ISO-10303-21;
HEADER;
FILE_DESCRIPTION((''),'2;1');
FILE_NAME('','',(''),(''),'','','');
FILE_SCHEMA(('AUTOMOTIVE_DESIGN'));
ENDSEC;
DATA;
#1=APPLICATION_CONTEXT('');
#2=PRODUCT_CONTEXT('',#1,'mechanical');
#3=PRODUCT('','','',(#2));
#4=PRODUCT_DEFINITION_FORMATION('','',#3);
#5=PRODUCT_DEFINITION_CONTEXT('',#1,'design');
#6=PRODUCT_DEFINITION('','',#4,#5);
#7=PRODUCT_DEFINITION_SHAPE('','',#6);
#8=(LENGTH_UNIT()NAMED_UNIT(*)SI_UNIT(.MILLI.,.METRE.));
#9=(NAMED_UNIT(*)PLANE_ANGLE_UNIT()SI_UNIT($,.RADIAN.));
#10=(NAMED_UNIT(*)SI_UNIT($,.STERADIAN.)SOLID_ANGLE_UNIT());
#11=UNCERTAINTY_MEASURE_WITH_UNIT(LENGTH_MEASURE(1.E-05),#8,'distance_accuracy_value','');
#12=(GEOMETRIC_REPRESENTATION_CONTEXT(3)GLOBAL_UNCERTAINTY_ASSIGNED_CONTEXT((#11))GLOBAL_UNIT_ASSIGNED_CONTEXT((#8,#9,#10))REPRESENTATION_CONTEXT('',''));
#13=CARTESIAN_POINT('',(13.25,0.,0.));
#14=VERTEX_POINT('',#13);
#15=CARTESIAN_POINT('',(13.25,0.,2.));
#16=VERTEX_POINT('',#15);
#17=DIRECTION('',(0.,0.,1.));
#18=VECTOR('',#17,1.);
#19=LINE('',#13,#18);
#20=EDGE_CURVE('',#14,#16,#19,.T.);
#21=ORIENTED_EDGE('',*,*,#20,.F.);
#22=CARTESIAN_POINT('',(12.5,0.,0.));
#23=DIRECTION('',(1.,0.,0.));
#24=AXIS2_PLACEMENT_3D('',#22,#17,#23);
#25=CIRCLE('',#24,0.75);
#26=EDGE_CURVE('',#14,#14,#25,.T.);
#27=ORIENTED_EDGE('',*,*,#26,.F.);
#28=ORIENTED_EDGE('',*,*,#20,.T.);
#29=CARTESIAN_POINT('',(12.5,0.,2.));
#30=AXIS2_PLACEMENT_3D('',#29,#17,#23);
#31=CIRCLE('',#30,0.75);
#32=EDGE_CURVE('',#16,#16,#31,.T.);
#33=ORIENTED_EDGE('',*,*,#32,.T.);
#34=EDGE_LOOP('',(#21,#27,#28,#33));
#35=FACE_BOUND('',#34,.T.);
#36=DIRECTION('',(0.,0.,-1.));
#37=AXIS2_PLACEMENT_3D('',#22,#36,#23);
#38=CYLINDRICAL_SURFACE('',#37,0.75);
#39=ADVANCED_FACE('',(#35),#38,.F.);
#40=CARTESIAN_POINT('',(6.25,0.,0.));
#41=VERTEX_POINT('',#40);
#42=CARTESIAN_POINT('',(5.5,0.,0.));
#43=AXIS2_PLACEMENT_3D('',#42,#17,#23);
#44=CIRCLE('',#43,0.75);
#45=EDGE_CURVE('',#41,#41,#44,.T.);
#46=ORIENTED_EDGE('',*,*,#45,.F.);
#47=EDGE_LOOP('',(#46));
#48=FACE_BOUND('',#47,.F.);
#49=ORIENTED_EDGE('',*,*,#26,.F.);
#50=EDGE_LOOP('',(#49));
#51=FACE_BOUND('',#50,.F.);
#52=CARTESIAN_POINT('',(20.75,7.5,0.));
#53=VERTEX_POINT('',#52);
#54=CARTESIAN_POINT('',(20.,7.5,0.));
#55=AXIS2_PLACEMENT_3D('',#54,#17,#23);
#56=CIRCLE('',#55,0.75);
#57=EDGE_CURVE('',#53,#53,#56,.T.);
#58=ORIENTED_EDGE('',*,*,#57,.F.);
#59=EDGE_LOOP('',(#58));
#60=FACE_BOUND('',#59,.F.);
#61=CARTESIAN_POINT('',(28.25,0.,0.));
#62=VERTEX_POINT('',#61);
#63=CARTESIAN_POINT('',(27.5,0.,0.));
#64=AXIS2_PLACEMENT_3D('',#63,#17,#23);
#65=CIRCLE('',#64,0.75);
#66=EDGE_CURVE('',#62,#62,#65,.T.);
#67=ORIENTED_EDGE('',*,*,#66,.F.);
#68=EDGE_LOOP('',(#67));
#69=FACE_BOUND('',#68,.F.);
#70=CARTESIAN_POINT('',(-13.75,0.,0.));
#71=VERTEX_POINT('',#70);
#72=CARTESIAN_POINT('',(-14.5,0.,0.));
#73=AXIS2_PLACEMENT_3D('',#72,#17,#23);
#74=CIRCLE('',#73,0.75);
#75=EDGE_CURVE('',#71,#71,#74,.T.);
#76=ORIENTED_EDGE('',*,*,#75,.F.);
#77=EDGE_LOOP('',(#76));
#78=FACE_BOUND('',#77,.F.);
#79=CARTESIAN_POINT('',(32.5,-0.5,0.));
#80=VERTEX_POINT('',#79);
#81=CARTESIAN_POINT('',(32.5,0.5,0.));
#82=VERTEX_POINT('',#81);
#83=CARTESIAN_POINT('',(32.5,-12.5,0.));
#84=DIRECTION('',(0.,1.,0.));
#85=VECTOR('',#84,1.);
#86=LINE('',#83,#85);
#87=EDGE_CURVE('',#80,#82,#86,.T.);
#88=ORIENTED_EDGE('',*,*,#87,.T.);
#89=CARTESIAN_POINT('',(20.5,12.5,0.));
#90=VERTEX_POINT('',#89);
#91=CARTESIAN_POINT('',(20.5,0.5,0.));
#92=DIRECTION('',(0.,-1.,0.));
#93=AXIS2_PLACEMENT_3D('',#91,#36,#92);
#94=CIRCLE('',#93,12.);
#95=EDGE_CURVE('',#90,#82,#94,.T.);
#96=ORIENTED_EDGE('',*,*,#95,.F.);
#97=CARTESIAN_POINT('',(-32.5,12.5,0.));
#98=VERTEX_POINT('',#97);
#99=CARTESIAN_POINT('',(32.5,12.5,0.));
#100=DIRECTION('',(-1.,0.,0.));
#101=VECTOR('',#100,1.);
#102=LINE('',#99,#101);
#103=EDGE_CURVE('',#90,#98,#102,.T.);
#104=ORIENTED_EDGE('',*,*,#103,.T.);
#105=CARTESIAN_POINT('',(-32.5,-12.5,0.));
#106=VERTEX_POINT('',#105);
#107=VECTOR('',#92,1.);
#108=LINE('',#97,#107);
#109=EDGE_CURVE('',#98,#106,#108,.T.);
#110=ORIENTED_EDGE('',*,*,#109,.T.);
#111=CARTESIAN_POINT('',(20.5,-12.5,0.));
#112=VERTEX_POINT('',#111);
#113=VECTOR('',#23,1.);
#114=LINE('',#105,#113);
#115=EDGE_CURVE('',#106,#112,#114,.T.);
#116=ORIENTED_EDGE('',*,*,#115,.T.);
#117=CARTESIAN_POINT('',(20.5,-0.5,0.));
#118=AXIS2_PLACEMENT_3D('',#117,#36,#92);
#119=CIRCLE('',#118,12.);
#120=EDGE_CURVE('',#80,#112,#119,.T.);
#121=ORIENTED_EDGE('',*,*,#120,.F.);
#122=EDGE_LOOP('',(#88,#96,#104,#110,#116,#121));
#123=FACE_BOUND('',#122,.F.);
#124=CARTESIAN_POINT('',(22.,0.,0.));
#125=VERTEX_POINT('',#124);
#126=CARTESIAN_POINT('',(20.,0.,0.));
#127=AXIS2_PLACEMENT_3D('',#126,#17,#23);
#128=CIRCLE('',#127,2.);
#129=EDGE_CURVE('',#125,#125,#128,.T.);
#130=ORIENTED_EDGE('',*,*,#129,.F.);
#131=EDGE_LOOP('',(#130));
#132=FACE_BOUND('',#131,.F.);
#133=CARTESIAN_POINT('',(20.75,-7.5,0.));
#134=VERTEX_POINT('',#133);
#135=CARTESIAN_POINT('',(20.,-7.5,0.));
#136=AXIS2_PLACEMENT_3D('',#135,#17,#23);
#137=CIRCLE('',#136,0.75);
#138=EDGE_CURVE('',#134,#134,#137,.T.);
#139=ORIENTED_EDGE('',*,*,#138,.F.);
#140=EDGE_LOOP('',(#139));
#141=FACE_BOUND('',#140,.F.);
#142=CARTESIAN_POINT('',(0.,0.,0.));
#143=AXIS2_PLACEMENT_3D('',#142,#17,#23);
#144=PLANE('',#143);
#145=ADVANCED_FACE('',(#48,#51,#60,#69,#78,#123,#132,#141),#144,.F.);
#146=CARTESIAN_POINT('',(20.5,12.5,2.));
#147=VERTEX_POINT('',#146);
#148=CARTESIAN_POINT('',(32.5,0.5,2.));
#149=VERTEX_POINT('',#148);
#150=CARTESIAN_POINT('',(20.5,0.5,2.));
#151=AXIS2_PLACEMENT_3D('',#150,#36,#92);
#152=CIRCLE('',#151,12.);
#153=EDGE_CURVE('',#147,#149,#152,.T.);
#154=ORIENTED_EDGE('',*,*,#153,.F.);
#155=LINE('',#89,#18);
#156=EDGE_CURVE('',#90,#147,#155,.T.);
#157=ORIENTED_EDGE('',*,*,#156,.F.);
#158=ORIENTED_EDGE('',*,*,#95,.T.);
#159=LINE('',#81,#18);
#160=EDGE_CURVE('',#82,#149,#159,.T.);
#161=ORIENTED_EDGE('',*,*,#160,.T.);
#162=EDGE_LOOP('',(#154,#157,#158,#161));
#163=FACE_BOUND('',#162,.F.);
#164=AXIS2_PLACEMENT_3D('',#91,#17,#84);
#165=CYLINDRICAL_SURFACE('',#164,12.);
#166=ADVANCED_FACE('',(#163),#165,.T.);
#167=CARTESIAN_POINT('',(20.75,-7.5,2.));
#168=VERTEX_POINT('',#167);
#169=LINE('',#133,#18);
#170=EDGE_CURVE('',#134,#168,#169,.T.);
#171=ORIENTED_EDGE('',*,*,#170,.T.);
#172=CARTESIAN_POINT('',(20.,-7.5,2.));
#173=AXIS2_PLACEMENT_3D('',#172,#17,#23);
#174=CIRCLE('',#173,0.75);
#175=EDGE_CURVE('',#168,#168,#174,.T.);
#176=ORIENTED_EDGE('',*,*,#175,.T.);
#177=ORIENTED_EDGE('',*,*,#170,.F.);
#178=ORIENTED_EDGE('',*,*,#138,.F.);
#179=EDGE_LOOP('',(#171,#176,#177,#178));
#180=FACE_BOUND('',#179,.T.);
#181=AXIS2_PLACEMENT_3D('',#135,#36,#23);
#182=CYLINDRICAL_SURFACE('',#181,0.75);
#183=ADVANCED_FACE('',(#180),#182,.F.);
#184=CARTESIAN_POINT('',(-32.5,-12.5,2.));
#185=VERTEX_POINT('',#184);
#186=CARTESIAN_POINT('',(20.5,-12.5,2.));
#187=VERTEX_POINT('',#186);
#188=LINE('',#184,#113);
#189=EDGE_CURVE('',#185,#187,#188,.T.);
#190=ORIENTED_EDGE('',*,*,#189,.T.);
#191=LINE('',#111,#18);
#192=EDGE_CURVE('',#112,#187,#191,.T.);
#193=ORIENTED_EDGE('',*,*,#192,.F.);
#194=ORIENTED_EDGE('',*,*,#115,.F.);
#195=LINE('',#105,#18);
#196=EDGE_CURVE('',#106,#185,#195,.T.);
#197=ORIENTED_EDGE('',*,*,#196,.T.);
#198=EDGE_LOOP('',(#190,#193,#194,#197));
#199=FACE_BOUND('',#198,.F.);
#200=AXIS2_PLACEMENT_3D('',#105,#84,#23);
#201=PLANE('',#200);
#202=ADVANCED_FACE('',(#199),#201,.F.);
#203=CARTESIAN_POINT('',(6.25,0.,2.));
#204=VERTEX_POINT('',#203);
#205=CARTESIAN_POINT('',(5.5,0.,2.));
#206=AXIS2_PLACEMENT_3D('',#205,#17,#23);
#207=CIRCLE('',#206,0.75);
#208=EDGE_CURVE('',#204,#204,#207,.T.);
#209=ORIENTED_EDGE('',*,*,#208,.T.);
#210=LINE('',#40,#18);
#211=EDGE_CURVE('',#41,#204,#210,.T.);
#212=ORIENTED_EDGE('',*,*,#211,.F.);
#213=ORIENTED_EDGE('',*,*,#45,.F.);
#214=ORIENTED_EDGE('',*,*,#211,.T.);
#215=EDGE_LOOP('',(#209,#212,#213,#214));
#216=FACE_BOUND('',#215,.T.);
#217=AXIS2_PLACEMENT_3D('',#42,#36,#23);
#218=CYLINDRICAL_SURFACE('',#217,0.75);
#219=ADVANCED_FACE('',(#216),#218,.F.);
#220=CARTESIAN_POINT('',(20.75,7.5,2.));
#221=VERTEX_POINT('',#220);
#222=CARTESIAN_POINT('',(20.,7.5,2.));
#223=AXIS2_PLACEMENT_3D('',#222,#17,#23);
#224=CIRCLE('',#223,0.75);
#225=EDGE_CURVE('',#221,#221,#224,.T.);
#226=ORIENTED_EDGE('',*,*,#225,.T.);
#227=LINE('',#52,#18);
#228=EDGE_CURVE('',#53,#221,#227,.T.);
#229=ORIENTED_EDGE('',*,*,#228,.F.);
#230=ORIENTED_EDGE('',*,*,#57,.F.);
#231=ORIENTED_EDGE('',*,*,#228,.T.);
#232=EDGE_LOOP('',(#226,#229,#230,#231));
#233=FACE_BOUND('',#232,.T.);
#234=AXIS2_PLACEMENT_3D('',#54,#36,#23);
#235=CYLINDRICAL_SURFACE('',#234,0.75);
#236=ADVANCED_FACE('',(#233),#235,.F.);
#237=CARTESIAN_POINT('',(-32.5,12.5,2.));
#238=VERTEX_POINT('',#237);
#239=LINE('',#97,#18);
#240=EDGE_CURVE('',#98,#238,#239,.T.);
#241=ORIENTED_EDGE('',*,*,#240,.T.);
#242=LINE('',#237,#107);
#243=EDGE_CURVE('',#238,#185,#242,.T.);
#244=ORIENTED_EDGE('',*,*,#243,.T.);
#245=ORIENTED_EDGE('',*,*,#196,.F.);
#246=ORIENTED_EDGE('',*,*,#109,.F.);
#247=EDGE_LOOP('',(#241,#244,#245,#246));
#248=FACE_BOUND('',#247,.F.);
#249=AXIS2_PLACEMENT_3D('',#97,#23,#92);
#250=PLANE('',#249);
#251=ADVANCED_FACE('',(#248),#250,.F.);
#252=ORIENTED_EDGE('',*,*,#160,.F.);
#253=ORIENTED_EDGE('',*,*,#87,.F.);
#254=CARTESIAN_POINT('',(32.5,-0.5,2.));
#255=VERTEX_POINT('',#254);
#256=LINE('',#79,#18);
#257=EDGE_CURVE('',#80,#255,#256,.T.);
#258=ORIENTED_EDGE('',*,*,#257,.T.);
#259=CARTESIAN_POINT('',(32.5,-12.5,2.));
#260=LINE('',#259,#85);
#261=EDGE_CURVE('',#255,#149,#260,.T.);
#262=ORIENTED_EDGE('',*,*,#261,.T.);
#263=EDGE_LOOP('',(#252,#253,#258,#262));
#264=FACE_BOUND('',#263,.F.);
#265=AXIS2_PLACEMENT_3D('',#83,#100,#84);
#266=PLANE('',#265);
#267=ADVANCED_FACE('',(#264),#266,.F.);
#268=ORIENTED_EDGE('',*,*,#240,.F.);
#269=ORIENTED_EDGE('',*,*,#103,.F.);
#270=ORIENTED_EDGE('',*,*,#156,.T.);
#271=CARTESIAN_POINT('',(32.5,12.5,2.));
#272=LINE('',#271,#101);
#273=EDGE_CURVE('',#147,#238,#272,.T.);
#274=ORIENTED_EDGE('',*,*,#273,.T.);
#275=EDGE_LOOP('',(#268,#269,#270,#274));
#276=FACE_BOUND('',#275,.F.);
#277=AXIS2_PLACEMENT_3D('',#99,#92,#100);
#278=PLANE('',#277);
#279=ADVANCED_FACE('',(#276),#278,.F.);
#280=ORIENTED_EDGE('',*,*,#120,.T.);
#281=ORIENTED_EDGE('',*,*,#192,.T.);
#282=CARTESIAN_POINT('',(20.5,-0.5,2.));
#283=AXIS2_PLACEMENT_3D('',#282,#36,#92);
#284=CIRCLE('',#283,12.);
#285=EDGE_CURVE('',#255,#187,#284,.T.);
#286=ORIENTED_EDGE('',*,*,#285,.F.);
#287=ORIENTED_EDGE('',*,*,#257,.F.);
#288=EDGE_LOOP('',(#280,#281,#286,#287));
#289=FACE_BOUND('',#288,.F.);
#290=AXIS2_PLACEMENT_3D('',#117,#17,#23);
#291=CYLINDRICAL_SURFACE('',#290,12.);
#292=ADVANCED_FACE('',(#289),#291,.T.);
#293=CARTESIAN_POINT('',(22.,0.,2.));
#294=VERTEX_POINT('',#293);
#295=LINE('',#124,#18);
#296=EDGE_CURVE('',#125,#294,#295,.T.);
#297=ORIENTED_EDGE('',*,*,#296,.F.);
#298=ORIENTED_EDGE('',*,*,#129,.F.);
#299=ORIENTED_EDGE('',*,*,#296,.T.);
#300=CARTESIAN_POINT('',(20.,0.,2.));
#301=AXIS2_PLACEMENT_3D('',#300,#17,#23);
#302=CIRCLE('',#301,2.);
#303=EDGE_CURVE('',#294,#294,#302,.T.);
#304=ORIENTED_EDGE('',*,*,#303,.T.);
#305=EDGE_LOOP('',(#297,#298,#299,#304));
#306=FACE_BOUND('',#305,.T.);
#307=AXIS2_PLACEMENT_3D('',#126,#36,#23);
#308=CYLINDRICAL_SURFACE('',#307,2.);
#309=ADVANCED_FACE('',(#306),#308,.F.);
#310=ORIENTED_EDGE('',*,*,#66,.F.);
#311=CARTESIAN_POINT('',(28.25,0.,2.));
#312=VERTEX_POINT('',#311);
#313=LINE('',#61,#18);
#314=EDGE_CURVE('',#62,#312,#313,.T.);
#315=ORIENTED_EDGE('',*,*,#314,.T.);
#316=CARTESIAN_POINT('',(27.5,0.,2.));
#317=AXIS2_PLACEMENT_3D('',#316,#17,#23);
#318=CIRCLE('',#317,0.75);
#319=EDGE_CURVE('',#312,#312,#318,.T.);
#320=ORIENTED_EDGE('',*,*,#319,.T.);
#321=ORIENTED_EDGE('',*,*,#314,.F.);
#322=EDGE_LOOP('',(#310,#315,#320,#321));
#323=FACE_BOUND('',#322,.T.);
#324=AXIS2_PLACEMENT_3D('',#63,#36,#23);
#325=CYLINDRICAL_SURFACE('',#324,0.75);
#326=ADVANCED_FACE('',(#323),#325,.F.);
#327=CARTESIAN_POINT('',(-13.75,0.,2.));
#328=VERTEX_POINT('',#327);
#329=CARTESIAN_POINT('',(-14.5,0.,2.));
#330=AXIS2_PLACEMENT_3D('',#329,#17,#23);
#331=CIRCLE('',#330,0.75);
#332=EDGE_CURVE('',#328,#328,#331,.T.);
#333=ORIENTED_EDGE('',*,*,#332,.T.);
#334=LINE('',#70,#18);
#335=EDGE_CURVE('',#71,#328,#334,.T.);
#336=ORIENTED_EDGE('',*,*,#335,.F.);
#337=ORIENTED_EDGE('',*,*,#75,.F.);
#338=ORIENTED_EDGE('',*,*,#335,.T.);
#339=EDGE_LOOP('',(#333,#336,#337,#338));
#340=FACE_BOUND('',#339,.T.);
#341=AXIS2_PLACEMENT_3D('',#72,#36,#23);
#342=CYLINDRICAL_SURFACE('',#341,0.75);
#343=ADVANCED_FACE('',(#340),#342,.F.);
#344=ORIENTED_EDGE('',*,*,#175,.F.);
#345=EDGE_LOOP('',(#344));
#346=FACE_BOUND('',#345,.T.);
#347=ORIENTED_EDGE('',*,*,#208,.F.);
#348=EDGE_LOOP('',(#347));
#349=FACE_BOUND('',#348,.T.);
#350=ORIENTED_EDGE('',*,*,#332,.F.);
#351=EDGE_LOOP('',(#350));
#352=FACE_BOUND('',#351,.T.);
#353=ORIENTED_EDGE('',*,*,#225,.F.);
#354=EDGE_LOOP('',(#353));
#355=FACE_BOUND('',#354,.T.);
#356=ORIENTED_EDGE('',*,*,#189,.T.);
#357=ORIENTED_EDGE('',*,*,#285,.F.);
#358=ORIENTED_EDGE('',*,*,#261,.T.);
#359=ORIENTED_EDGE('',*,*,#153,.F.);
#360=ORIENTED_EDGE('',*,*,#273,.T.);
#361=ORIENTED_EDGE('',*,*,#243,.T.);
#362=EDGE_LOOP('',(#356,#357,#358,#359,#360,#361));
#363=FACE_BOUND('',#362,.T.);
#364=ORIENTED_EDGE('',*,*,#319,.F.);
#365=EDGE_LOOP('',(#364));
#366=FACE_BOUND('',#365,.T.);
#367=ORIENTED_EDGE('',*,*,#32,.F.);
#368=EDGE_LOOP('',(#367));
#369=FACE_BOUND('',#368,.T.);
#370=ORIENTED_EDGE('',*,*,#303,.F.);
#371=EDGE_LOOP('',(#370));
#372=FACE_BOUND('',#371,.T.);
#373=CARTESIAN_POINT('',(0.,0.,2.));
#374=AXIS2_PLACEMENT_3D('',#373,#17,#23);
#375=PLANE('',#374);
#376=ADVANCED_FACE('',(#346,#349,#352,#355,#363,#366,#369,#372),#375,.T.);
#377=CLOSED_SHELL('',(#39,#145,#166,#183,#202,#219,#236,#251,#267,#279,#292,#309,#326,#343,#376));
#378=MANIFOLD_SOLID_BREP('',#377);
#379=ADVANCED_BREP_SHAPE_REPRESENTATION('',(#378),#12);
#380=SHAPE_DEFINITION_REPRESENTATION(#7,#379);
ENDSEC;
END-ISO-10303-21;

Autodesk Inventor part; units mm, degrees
ref_plane "YZ Plane" through (0, 0, 0) normal (1, 0, 0) x (0, 1, 0)
ref_plane "XZ Plane" through (0, 0, 0) normal (0, 1, 0) x (-1, 0, 0)
ref_plane "XY Plane" through (0, 0, 0) normal (0, 0, 1) x (1, 0, 0)
sketch "Boceto1" plane through (0, 0, 0) normal (0, 0, 1) x (1, 0, 0)
  line L0 (-32.5, -12.5) -> (32.5, -12.5)
  line L1 (32.5, -12.5) -> (32.5, 12.5)
  line L2 (32.5, 12.5) -> (-32.5, 12.5)
  line L3 (-32.5, 12.5) -> (-32.5, -12.5)
  line L4 (-32.5, -12.5) -> (32.5, 12.5) construction
  line L5 (32.5, -12.5) -> (-32.5, 12.5) construction
  circle A0 centre (-14.5, 0) radius 0.75
  circle A1 centre (5.5, 0) radius 0.75
  circle A2 centre (27.5, 0) radius 0.75
  circle A3 centre (20, 0) radius 2
  circle A4 centre (12.5, 0) radius 0.75
  circle A5 centre (20, 7.5) radius 0.75
  circle A6 centre (20, -7.5) radius 0.75
  point P0 (0, 0)
  dimension "d0" = 65
  dimension "d1" = 25
  dimension "d11" = 1.5
  dimension "d12" = 1.5
  dimension "d13" = 1.5
  dimension "d14" = 4
  dimension "d15" = 1.5
  dimension "d16" = 1.5
  dimension "d17" = 1.5
extrude "Extrusión1" add sketch "Boceto1" along normal blind 2
fillet "Empalme1" radius 12 1 edges at (32.5, 12.5, 1)
fillet "Empalme2" radius 12 1 edges at (32.5, -12.5, 1)
sketch "Boceto2" plane through (0, 0, 2) normal (0, 0, 1) x (1, 0, 0)
  point P0 (0, 0)
properties part number "laterales" material "Acero, galvanizado"
